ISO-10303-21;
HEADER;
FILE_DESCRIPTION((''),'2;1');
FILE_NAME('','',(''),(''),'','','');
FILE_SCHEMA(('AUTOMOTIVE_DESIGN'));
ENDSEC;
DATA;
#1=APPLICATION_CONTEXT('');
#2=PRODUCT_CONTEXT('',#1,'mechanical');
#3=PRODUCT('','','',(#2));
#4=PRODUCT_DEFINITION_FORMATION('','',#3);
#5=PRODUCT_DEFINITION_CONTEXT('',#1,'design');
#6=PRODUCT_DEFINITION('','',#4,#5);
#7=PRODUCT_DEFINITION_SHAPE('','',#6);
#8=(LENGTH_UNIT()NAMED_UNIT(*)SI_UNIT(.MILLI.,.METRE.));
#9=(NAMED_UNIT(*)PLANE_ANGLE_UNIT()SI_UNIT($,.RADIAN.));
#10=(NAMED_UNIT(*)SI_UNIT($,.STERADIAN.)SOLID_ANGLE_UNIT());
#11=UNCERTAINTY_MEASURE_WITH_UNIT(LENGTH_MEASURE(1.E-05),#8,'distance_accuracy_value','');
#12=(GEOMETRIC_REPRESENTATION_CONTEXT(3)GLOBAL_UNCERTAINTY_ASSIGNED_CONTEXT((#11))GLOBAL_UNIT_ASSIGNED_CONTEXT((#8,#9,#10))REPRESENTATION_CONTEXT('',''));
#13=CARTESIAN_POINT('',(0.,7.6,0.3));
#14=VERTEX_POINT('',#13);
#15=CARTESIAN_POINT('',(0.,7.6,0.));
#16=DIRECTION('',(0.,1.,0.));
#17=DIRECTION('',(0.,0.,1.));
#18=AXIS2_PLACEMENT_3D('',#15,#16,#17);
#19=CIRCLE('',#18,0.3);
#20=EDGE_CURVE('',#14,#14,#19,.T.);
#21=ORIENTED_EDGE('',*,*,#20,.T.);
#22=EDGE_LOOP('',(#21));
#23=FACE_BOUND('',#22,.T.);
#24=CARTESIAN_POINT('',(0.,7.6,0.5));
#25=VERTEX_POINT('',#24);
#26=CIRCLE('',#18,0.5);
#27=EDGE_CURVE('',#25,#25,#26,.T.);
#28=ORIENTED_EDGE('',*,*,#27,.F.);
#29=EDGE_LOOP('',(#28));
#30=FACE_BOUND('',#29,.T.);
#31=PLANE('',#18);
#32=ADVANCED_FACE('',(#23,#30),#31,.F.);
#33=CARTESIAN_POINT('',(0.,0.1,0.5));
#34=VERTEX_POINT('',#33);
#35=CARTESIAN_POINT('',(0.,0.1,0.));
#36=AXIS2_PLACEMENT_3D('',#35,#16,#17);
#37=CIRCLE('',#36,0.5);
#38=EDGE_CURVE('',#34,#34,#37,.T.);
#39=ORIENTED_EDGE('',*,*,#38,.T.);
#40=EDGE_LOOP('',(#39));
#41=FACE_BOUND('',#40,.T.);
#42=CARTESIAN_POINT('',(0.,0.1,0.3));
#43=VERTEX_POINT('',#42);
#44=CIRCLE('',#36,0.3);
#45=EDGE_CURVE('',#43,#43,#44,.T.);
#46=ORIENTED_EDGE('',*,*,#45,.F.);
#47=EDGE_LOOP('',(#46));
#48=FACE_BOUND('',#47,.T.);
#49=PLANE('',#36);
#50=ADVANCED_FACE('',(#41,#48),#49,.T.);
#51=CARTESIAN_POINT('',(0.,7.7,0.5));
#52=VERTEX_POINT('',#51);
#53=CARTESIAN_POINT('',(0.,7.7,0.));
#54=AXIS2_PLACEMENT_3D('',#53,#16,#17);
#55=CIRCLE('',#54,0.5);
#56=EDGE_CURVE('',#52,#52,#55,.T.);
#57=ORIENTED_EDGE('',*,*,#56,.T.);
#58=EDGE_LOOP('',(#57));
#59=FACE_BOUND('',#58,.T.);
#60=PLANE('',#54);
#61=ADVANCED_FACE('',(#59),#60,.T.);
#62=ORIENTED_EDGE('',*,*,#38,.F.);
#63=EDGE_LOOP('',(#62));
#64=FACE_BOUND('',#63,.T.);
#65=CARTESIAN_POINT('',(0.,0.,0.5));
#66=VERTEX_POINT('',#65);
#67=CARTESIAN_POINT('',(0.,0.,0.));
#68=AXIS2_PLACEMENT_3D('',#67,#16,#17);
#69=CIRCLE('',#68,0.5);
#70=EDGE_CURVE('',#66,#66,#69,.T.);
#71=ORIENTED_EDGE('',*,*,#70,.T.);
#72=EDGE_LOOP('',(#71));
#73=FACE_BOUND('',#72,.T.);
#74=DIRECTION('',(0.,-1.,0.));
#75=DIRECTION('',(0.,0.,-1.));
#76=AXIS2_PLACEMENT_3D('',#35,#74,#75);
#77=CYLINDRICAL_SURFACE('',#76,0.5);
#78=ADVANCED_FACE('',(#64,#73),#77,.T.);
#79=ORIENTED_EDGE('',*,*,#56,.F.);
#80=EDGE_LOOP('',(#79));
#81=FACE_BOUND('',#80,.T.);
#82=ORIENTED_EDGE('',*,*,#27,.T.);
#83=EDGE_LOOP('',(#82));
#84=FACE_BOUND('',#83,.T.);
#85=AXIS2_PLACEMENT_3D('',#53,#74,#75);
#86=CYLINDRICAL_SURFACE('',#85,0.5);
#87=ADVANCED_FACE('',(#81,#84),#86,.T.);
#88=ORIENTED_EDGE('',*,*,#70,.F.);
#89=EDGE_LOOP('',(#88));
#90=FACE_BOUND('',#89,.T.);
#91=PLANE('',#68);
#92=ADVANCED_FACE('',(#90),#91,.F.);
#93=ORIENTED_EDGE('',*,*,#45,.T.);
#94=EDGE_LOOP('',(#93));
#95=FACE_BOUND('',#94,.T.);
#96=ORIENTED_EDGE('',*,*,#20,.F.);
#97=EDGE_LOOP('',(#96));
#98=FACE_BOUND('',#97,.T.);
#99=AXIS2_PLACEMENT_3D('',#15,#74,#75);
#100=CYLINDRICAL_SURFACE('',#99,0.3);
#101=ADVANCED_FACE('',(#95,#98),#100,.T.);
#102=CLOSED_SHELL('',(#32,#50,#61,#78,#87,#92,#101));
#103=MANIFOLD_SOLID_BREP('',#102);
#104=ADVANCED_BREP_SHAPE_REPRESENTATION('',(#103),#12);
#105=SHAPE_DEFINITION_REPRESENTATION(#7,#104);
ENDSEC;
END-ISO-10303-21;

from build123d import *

# Parameters (mm, degrees)
SKETCH3_R           = 0.5
BOSS_EXTRUDE1_DEPTH = 0.1
SKETCH4_R           = 0.3
BOSS_EXTRUDE2_DEPTH = 7.5
SKETCH5_R           = 0.5
BOSS_EXTRUDE3_DEPTH = 0.1


with BuildPart() as part:
    # Sketch3 → Boss-Extrude1 (new body)
    with BuildSketch(Plane(origin=(0, 0, 0), x_dir=(1, 0, 0), z_dir=(0, 1, 0))):
        with Locations(Location((0, 0, 0), (0, 0, 270))):
            Circle(SKETCH3_R)
    extrude(amount=BOSS_EXTRUDE1_DEPTH)

    # Sketch4 → Boss-Extrude2 (add)
    with BuildSketch(Plane(origin=(0, 0.1, 0), x_dir=(1, 0, 0), z_dir=(0, 1, 0))):
        with Locations(Location((0, 0, 0), (0, 0, 270))):
            Circle(SKETCH4_R)
    extrude(amount=BOSS_EXTRUDE2_DEPTH)

    # Sketch5 → Boss-Extrude3 (add)
    with BuildSketch(Plane(origin=(0, 7.6, 0), x_dir=(1, 0, 0), z_dir=(0, 1, 0))):
        with Locations(Location((0, 0, 0), (0, 0, 270))):
            Circle(SKETCH5_R)
    extrude(amount=BOSS_EXTRUDE3_DEPTH)


solid = part.part
